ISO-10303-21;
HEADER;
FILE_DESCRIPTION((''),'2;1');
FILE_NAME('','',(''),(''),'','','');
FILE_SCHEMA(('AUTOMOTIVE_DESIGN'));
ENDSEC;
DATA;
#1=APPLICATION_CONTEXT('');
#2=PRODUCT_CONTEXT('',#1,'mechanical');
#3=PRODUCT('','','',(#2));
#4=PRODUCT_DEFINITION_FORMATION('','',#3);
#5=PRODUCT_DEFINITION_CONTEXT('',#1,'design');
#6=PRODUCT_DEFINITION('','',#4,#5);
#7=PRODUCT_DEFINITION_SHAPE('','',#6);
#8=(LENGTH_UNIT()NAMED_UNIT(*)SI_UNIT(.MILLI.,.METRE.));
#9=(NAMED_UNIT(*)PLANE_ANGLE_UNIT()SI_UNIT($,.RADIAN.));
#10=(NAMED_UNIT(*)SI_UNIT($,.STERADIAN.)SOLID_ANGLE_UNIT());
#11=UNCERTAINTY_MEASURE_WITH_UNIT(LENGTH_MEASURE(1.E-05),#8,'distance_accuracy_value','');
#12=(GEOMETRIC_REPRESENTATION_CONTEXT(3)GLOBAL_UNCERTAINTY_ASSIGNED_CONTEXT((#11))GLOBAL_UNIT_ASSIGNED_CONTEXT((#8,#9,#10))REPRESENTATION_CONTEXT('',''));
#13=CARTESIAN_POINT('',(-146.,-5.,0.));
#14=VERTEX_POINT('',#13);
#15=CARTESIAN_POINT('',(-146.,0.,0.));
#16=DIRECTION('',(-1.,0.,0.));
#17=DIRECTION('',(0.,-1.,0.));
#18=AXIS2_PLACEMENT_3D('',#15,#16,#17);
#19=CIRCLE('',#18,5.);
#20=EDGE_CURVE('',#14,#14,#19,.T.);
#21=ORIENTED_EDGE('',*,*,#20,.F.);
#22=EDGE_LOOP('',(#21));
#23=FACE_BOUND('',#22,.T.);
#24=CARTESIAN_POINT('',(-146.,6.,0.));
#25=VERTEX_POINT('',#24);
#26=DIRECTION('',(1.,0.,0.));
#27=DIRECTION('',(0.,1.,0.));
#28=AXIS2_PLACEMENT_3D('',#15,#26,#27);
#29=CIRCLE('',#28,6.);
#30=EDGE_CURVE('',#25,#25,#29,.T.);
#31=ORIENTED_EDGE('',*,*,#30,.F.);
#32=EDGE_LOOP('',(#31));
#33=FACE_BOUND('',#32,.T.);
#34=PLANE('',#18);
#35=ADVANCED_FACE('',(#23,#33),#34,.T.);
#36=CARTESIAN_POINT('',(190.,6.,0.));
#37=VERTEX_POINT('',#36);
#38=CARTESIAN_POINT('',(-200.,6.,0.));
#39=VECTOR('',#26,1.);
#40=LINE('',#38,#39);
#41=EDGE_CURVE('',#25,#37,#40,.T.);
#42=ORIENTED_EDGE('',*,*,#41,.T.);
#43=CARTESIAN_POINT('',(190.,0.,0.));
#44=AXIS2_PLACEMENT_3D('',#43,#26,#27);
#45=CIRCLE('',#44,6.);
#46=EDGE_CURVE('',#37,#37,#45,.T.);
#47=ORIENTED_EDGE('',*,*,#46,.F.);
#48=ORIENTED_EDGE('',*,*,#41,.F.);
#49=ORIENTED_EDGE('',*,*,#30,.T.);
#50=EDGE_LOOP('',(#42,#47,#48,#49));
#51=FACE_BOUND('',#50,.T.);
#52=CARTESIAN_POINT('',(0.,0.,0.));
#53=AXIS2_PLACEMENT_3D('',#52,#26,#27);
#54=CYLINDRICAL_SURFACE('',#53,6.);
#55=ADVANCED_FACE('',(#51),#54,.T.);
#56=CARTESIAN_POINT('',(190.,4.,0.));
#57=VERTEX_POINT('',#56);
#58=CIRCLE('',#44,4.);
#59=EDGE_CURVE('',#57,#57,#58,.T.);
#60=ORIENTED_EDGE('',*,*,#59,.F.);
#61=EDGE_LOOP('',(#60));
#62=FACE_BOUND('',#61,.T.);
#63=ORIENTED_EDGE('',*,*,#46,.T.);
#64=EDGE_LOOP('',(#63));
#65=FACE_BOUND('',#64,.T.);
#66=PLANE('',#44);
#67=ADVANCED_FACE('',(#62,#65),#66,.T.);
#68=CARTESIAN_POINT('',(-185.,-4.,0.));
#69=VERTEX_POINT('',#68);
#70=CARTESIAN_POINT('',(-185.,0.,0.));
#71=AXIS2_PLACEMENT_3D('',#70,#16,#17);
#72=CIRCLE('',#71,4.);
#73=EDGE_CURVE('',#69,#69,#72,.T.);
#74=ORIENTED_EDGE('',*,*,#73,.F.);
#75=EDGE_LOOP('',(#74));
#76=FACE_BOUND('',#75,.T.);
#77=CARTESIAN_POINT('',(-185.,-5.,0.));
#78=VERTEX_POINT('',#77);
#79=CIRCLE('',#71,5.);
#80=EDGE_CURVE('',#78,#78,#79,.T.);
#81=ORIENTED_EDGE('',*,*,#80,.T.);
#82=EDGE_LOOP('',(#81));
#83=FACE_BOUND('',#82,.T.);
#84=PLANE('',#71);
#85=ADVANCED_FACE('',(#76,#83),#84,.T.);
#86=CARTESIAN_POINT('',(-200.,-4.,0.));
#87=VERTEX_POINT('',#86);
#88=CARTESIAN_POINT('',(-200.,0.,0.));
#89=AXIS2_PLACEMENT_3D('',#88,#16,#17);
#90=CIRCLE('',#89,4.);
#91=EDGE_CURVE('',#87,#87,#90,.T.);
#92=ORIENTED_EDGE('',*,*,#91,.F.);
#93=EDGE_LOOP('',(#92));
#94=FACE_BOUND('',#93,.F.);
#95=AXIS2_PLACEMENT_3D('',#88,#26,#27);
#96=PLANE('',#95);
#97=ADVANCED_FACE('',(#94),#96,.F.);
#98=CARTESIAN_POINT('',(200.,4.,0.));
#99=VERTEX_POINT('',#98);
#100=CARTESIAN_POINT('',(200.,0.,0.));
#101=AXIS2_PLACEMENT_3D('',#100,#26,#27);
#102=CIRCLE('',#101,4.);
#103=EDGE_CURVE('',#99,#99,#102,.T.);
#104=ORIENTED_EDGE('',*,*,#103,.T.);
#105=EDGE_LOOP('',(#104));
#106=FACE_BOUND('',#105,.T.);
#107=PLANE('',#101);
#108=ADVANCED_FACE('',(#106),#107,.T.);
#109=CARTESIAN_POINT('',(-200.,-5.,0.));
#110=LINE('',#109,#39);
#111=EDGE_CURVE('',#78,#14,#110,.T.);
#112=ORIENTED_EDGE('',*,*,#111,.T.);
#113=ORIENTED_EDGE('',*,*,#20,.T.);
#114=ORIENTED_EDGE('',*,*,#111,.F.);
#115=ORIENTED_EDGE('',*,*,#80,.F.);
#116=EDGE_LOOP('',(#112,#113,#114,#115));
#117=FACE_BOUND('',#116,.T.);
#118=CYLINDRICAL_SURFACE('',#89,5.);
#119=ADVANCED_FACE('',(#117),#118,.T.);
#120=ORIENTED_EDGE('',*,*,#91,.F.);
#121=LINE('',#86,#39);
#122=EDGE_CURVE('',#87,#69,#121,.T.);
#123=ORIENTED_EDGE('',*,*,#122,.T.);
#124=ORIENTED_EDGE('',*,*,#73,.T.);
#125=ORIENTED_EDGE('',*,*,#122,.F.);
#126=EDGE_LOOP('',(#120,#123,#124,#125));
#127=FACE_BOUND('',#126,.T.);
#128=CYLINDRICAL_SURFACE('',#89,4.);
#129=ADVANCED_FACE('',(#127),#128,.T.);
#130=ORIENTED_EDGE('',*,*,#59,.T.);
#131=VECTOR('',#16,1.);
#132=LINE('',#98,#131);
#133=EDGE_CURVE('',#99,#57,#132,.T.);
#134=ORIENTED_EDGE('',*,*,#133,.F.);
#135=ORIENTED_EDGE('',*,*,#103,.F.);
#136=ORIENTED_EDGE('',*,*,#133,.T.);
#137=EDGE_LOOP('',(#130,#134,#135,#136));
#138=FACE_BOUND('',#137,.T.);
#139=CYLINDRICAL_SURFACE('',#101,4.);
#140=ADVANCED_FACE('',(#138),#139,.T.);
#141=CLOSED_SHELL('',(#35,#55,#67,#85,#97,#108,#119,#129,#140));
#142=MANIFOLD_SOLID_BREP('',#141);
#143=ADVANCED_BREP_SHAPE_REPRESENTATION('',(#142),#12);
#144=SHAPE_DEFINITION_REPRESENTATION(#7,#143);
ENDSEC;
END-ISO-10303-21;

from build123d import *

# Parameters (mm, degrees)
F0_R     = 6
F1_DEPTH = 200
F2_R     = 6
F2_R_2   = 4
F3_DEPTH = 10
F4_R     = 6
F4_R_2   = 5
F5_DEPTH = 54
F6_R     = 5
F6_R_2   = 4
F7_DEPTH = 15


with BuildPart() as f1:
    # F0 (on Right) → F1 (new body, symmetric)
    with BuildSketch(Plane.YZ):
        Circle(F0_R)
    extrude(amount=F1_DEPTH, both=True)

    # F2 (on face) → F3 (cut)
    with BuildSketch(Plane.YZ.offset(200)):
        Circle(F2_R)
        Circle(F2_R_2, mode=Mode.SUBTRACT)
    extrude(amount=-F3_DEPTH, mode=Mode.SUBTRACT)

    # F4 (on face) → F5 (cut)
    with BuildSketch(Plane(origin=(-200, 0, 0), x_dir=(0, -1, 0), z_dir=(-1, 0, 0))):
        Circle(F4_R)
        Circle(F4_R_2, mode=Mode.SUBTRACT)
    extrude(amount=-F5_DEPTH, mode=Mode.SUBTRACT)

    # F6 (on face) → F7 (cut)
    with BuildSketch(Plane(origin=(-200, 0, 0), x_dir=(0, -1, 0), z_dir=(-1, 0, 0))):
        Circle(F6_R)
        Circle(F6_R_2, mode=Mode.SUBTRACT)
    extrude(amount=-F7_DEPTH, mode=Mode.SUBTRACT)


solid = f1.part
